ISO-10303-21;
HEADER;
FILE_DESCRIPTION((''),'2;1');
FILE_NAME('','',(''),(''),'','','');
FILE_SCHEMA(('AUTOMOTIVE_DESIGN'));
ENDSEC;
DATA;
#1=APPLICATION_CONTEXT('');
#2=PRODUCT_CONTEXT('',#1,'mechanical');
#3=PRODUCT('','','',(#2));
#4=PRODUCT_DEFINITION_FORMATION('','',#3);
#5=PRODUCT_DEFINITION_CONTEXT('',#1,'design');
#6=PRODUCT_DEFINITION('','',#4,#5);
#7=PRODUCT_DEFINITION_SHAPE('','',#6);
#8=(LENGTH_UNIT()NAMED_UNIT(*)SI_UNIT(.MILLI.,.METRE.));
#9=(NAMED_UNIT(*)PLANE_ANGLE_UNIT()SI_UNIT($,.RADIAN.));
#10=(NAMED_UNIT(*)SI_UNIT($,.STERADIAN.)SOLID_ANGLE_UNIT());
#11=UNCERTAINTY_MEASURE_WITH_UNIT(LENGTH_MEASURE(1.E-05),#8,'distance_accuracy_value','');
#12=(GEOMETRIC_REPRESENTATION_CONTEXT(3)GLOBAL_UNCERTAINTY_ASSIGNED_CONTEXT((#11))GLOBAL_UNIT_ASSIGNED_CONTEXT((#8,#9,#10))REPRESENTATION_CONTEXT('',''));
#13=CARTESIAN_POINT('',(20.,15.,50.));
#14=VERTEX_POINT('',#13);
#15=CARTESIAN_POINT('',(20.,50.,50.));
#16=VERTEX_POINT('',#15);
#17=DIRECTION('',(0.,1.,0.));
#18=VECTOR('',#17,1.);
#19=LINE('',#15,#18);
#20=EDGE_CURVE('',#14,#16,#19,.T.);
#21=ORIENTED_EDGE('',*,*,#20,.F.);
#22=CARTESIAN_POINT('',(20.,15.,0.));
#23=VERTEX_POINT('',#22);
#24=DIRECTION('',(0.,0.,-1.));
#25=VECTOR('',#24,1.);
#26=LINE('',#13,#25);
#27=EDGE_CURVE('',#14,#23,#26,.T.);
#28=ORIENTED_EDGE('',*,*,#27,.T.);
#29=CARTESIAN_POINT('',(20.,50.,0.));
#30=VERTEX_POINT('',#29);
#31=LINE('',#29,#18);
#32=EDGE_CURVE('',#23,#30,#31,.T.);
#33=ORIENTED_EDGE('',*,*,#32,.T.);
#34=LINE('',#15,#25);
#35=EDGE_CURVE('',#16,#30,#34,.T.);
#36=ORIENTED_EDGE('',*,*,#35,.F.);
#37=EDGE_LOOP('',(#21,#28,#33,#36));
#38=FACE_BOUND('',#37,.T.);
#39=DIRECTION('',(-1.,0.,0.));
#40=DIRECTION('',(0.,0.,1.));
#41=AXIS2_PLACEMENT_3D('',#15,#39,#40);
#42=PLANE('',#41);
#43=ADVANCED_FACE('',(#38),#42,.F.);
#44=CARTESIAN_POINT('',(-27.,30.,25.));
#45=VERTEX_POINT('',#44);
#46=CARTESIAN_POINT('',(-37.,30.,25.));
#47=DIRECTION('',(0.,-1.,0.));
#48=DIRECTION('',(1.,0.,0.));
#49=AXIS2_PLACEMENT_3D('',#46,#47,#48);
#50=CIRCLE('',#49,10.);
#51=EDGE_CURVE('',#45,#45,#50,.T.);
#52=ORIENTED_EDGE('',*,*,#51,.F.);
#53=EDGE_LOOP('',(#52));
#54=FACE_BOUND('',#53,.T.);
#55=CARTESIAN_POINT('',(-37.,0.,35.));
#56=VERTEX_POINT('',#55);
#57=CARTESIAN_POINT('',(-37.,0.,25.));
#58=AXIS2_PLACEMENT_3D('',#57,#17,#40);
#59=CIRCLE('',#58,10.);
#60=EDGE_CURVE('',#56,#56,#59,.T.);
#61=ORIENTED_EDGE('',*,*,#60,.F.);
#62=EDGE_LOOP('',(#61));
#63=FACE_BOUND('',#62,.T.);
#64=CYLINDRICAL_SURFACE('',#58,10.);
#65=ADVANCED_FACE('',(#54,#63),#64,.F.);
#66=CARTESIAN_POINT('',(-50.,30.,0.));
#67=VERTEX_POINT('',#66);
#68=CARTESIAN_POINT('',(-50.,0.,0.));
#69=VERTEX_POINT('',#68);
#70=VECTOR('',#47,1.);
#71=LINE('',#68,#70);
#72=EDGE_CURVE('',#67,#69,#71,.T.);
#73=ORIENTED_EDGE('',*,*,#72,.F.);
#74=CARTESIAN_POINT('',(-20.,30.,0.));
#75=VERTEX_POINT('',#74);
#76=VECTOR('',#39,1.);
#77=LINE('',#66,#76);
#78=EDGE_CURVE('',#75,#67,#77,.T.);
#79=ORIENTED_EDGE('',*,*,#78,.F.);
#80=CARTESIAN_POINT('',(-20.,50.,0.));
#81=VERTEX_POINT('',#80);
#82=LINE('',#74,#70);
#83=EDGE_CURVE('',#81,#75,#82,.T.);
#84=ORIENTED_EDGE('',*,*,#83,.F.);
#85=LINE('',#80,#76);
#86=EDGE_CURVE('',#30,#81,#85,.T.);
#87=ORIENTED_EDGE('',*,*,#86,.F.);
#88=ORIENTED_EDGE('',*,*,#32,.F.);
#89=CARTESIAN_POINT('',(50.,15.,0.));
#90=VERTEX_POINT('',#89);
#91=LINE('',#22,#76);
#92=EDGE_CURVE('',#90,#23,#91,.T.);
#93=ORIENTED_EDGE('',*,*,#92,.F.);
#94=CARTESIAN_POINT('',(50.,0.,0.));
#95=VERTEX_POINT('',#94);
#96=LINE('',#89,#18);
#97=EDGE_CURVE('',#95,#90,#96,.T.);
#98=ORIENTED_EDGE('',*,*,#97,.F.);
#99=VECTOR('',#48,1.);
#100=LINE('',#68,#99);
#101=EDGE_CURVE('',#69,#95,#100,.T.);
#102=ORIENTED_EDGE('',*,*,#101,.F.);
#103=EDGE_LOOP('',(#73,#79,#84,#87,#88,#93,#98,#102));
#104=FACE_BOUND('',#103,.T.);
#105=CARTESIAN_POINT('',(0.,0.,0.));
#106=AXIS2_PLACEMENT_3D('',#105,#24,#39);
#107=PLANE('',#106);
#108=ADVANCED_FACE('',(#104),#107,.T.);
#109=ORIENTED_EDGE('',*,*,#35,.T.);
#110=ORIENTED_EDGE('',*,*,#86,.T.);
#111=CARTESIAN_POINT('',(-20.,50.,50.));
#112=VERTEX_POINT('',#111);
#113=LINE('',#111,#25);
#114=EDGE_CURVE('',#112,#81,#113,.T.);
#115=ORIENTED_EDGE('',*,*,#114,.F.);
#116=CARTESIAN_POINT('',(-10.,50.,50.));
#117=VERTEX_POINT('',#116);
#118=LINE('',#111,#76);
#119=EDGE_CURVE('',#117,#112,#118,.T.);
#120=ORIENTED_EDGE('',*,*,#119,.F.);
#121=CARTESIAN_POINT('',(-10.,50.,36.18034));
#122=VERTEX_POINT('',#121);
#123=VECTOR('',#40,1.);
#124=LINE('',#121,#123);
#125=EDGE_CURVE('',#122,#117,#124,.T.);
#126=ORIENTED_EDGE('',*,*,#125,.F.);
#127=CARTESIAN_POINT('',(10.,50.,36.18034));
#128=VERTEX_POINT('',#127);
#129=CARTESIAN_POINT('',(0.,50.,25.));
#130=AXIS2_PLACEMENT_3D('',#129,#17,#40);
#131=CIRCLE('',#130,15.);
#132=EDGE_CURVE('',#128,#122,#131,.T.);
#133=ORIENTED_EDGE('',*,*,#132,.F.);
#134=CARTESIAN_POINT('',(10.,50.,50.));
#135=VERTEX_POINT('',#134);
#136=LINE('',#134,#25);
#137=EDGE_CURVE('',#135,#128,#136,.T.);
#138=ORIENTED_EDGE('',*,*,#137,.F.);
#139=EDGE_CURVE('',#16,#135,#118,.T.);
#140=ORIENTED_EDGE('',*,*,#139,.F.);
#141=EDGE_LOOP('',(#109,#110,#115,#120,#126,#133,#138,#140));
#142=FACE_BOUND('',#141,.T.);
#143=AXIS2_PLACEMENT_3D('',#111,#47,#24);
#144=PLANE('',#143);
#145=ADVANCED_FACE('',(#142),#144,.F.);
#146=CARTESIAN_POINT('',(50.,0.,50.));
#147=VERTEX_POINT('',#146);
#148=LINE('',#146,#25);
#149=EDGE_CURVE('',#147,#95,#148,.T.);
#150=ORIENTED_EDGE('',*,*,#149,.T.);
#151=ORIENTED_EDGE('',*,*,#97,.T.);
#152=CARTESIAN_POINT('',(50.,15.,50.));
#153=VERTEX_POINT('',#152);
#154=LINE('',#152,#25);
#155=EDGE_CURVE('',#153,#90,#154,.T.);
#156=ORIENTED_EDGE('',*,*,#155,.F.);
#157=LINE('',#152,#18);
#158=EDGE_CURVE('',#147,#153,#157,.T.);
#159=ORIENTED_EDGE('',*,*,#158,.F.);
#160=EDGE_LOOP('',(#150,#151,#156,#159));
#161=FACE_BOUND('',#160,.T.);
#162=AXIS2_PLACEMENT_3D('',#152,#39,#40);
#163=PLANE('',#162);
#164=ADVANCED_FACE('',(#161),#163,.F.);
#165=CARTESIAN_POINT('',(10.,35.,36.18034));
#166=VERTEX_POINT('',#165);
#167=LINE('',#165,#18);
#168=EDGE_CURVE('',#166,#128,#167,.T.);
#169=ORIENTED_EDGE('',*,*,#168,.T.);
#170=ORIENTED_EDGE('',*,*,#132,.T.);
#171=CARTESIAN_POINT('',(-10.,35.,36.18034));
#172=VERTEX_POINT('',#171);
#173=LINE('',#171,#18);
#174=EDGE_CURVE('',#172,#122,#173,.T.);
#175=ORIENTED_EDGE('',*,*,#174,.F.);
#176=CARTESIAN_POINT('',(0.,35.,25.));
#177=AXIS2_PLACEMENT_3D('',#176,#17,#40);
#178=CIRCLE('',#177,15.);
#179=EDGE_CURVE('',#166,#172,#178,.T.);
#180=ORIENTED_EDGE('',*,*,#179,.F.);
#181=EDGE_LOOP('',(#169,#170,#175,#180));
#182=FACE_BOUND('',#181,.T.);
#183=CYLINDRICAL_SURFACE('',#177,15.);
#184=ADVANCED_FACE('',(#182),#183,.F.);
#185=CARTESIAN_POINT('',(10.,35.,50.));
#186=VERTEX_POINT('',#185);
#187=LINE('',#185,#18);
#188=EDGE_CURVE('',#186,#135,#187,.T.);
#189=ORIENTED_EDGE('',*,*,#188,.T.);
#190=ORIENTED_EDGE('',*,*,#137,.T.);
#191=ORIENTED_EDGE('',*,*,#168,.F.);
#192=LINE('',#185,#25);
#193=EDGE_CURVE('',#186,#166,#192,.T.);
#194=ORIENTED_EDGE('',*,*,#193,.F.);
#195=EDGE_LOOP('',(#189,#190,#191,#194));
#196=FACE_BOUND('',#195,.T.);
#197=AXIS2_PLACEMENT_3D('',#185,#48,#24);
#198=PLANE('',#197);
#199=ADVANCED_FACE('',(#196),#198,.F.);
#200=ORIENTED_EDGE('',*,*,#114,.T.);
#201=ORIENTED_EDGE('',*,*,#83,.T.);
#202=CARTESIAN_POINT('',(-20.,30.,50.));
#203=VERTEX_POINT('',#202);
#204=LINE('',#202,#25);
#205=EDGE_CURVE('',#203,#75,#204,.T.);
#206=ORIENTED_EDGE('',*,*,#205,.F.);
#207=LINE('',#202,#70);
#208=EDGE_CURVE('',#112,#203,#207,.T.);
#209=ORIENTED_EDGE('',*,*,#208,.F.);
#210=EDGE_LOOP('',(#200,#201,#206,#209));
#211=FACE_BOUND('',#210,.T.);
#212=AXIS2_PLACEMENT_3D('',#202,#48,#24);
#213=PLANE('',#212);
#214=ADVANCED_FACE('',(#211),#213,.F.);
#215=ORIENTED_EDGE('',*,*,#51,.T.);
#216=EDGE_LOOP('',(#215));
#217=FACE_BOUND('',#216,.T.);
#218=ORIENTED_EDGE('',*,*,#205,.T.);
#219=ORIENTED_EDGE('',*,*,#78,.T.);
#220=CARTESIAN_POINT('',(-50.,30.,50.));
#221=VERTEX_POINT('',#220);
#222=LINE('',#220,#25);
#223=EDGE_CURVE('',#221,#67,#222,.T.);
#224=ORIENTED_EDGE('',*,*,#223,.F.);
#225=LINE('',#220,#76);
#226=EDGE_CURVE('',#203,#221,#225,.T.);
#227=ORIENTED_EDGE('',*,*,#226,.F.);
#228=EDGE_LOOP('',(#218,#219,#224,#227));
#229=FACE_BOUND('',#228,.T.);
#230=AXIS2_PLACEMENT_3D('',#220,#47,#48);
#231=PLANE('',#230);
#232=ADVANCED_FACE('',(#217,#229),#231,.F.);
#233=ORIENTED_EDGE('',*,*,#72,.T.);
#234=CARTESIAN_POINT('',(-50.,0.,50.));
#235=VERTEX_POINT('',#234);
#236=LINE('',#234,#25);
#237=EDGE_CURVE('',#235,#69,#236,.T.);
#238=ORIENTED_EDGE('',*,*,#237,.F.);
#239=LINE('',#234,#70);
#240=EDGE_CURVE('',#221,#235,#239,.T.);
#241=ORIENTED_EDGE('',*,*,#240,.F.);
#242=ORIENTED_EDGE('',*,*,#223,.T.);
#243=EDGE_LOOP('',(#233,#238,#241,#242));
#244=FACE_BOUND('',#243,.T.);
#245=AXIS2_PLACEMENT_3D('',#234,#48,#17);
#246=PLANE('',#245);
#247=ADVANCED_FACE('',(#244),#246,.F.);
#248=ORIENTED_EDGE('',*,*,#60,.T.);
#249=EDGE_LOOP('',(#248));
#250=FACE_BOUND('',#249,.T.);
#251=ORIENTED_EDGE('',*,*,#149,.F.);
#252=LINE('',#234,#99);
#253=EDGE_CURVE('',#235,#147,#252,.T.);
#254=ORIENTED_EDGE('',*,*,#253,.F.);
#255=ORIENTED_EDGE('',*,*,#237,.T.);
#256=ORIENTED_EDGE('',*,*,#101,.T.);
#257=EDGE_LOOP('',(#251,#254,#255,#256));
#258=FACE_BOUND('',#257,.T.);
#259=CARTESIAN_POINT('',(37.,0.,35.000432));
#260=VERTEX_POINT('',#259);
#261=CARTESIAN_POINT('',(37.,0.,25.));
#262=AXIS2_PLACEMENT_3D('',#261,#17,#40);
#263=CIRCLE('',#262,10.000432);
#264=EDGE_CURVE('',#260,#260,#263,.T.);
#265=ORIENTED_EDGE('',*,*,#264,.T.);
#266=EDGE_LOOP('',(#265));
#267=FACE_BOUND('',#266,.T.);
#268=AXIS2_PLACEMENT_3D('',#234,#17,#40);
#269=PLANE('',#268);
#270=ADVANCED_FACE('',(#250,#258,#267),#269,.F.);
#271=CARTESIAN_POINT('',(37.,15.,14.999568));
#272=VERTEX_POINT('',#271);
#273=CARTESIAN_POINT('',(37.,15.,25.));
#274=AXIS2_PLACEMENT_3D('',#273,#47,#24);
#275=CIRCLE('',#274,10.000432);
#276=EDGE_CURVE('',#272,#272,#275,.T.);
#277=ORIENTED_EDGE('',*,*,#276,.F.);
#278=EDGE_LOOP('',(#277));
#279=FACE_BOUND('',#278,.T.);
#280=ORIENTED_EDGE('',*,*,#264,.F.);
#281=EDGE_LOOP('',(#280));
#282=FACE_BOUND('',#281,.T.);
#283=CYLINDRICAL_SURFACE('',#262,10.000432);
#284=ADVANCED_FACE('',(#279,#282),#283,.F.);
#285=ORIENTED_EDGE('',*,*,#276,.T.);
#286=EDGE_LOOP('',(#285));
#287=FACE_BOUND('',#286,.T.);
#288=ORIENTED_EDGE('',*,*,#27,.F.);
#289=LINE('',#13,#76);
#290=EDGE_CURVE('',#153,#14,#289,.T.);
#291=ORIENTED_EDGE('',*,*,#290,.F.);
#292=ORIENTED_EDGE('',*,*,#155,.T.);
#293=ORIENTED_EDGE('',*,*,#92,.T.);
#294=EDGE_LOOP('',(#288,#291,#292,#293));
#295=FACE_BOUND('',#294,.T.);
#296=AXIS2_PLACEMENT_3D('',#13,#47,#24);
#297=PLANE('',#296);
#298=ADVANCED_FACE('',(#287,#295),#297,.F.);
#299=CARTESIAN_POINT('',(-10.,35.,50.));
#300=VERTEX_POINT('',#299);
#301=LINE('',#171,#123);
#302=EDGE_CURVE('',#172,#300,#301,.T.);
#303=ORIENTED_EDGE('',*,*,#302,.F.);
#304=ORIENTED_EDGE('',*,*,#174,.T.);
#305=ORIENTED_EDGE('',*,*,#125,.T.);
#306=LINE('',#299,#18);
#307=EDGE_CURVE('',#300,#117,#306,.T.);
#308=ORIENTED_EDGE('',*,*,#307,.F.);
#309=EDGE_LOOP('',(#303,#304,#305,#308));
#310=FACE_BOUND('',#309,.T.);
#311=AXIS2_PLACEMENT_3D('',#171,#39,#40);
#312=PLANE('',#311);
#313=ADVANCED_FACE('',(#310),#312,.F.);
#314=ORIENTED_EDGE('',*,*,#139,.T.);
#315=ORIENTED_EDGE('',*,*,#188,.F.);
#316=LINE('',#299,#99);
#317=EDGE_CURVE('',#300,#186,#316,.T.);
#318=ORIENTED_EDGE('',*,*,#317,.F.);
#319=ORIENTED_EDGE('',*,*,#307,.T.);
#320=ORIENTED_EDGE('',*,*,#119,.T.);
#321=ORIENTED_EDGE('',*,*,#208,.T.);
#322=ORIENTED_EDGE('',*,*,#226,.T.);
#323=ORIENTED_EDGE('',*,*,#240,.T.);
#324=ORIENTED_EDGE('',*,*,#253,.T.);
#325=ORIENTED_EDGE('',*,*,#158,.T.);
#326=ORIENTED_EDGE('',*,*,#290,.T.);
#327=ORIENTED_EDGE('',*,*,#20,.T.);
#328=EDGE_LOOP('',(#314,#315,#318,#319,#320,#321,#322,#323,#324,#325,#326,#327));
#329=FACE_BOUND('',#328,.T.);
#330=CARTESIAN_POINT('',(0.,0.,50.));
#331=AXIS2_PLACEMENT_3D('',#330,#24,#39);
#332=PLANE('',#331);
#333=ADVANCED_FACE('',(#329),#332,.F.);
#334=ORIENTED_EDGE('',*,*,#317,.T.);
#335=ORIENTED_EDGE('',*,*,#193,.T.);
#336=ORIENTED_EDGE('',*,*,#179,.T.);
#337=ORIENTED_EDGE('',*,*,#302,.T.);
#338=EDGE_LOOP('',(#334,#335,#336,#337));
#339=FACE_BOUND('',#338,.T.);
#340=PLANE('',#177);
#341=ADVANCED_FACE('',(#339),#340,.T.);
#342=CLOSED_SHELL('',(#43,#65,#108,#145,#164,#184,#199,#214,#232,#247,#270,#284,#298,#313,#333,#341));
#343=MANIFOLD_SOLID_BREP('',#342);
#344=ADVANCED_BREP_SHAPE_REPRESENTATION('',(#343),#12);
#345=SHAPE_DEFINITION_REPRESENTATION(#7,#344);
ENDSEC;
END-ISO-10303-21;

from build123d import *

# Parameters (mm, degrees)
RESSALTO_EXTRUS_O1_DEPTH = 50
ESBO_O2_R                = 10
ESBO_O2_R_2              = 10.000432036
CORTE_EXTRUS_O1_DEPTH    = 87.602540378
ESBO_O3_R                = 15
CORTE_EXTRUS_O2_DEPTH    = 15
CORTE_EXTRUS_O3_DEPTH    = 15


with BuildPart() as part:
    # Esboço1 → Ressalto-extrusão1 (new body)
    with BuildSketch(Plane.XY):
        Polygon((-50, 0), (50, 0), (50, 15), (20, 15), (20, 50), (-20, 50), (-20, 30), (-50, 30), align=None)
    extrude(amount=RESSALTO_EXTRUS_O1_DEPTH)

    # Esboço2 → Corte-extrusão1 (cut, through all)
    with BuildSketch(Plane(origin=(0, 50, 0), x_dir=(1, 0, 0), z_dir=(0, 1, 0))):
        with Locations(Location((-37, -25, 0), (0, 0, 270))):
            Circle(ESBO_O2_R)
        with Locations(Location((37, -25, 0), (0, 0, 270))):
            Circle(ESBO_O2_R_2)
    extrude(amount=-CORTE_EXTRUS_O1_DEPTH, mode=Mode.SUBTRACT)

    # Esboço3 → Corte-extrusão2 (cut)
    with BuildSketch(Plane(origin=(0, 50, 0), x_dir=(1, 0, 0), z_dir=(0, 1, 0))):
        with Locations(Location((0, -25, 0), (0, 0, 270))):
            Circle(ESBO_O3_R)
    extrude(amount=-CORTE_EXTRUS_O2_DEPTH, mode=Mode.SUBTRACT)

    # Esboço5 → Corte-extrusão3 (cut)
    with BuildSketch(Plane(origin=(0, 50, 0), x_dir=(1, 0, 0), z_dir=(0, 1, 0))):
        with BuildLine():
            Line((-10, -36.180339887), (-10, -50))
            Line((-10, -50), (10, -50))
            Line((10, -50), (10, -36.180339887))
            ThreePointArc((10, -36.180339887), (0, -40), (-10, -36.180339887))
        make_face()
    extrude(amount=-CORTE_EXTRUS_O3_DEPTH, mode=Mode.SUBTRACT)


solid = part.part
